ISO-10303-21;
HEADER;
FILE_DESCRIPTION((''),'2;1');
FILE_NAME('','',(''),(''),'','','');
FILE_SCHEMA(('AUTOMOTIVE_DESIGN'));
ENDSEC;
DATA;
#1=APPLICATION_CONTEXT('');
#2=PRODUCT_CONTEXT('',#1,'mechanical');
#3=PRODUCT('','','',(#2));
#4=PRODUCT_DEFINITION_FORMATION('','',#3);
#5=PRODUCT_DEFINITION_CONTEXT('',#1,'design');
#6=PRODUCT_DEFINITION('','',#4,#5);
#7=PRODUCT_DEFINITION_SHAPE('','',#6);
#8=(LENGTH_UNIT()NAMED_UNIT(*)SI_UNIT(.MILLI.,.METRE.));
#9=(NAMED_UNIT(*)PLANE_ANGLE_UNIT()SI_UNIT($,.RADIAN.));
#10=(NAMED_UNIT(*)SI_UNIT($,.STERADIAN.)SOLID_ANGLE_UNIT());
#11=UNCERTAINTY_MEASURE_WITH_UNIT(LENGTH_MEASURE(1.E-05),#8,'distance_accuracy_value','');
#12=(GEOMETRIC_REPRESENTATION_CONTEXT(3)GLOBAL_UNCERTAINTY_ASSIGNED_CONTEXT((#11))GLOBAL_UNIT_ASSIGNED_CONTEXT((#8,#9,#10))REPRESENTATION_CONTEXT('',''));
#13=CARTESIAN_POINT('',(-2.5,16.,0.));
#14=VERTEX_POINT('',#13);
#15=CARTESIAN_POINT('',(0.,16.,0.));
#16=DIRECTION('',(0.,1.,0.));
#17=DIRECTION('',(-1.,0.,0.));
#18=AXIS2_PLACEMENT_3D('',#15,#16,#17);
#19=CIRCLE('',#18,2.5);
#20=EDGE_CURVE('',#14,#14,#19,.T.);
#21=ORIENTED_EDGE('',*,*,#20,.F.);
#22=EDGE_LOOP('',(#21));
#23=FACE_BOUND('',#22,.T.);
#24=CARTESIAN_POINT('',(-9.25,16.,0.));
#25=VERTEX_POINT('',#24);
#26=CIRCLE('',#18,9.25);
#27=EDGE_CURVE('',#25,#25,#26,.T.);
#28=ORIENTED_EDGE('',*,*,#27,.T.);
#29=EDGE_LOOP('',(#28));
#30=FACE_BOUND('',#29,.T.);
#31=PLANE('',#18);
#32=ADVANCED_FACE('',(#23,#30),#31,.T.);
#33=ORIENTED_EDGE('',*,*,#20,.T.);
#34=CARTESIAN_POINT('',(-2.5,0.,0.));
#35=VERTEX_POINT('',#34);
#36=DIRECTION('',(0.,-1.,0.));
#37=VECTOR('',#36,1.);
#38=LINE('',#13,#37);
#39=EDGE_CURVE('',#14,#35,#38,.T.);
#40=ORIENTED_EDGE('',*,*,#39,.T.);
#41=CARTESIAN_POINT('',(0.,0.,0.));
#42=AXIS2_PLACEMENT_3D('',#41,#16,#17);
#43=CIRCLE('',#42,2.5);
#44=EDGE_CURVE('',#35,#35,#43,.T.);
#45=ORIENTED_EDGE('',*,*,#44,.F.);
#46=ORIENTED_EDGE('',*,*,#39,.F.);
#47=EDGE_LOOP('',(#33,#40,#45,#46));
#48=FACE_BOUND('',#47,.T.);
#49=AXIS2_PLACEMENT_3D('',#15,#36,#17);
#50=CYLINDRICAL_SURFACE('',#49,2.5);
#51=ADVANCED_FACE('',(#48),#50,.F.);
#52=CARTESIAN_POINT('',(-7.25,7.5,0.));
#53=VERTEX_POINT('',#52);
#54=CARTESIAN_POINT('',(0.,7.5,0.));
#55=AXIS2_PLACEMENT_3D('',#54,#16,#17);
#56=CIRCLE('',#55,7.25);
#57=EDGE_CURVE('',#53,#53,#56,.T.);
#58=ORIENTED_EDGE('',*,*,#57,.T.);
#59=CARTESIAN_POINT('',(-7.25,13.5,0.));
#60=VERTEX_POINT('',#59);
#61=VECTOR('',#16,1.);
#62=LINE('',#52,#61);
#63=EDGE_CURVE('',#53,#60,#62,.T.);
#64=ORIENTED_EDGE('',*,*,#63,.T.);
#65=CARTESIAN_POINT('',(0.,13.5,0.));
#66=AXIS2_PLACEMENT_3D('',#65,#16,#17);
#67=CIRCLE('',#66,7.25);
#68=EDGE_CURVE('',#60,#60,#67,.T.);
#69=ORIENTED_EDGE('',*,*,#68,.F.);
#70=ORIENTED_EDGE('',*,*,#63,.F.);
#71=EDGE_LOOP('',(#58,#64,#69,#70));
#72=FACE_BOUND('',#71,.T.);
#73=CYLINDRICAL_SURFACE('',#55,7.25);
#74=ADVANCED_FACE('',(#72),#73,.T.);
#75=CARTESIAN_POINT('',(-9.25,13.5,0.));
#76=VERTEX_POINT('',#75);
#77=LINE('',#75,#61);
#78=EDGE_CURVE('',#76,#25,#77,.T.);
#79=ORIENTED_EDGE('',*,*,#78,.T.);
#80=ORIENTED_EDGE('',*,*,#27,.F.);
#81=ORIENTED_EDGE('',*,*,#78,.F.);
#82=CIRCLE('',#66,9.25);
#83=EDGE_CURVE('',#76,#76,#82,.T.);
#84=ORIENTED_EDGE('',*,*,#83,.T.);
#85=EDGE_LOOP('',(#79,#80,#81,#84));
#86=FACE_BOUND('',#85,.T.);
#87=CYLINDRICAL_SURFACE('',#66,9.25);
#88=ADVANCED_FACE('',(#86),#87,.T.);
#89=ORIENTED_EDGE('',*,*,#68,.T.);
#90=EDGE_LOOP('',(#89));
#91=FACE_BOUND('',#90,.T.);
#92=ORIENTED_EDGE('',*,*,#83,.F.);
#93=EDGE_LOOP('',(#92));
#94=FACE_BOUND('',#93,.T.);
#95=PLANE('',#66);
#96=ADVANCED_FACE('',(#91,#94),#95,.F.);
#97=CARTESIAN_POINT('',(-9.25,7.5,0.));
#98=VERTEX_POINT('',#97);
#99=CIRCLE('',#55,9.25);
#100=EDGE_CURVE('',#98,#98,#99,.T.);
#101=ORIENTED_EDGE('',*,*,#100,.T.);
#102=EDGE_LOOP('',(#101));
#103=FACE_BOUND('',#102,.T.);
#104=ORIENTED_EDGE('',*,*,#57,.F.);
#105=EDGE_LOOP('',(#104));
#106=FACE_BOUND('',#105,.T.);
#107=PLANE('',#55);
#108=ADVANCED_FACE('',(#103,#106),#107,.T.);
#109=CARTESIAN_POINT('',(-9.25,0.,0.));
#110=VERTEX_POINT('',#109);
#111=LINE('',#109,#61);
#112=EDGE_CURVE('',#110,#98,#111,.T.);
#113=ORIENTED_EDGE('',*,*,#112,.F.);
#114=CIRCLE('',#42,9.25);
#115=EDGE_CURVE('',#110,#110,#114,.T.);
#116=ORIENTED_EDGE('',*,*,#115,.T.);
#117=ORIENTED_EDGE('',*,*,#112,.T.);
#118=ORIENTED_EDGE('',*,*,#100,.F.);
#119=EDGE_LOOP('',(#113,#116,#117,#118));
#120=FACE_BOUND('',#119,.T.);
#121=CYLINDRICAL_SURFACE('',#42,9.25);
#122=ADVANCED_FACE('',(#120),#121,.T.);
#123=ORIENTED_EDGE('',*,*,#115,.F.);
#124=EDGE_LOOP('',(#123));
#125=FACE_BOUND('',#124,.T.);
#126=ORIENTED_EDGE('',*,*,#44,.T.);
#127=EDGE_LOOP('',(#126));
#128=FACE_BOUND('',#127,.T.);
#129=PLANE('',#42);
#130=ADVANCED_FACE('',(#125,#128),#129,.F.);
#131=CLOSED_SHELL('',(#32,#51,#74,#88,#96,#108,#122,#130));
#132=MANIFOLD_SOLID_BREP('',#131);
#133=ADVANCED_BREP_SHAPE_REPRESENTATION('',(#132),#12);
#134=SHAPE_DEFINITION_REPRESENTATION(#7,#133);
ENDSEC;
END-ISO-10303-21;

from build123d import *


with BuildPart() as part:
    # Sketch002 → Revolution (revolve)
    with BuildSketch(Plane.XY):
        Polygon((-9.25, 16), (-2.5, 16), (-2.5, 0), (-9.25, 0), (-9.25, 7.5), (-7.25, 7.5), (-7.25, 13.5), (-9.25, 13.5), align=None)
    revolve(axis=Axis((0, 0, 0), (0, 1, 0)))


solid = part.part
